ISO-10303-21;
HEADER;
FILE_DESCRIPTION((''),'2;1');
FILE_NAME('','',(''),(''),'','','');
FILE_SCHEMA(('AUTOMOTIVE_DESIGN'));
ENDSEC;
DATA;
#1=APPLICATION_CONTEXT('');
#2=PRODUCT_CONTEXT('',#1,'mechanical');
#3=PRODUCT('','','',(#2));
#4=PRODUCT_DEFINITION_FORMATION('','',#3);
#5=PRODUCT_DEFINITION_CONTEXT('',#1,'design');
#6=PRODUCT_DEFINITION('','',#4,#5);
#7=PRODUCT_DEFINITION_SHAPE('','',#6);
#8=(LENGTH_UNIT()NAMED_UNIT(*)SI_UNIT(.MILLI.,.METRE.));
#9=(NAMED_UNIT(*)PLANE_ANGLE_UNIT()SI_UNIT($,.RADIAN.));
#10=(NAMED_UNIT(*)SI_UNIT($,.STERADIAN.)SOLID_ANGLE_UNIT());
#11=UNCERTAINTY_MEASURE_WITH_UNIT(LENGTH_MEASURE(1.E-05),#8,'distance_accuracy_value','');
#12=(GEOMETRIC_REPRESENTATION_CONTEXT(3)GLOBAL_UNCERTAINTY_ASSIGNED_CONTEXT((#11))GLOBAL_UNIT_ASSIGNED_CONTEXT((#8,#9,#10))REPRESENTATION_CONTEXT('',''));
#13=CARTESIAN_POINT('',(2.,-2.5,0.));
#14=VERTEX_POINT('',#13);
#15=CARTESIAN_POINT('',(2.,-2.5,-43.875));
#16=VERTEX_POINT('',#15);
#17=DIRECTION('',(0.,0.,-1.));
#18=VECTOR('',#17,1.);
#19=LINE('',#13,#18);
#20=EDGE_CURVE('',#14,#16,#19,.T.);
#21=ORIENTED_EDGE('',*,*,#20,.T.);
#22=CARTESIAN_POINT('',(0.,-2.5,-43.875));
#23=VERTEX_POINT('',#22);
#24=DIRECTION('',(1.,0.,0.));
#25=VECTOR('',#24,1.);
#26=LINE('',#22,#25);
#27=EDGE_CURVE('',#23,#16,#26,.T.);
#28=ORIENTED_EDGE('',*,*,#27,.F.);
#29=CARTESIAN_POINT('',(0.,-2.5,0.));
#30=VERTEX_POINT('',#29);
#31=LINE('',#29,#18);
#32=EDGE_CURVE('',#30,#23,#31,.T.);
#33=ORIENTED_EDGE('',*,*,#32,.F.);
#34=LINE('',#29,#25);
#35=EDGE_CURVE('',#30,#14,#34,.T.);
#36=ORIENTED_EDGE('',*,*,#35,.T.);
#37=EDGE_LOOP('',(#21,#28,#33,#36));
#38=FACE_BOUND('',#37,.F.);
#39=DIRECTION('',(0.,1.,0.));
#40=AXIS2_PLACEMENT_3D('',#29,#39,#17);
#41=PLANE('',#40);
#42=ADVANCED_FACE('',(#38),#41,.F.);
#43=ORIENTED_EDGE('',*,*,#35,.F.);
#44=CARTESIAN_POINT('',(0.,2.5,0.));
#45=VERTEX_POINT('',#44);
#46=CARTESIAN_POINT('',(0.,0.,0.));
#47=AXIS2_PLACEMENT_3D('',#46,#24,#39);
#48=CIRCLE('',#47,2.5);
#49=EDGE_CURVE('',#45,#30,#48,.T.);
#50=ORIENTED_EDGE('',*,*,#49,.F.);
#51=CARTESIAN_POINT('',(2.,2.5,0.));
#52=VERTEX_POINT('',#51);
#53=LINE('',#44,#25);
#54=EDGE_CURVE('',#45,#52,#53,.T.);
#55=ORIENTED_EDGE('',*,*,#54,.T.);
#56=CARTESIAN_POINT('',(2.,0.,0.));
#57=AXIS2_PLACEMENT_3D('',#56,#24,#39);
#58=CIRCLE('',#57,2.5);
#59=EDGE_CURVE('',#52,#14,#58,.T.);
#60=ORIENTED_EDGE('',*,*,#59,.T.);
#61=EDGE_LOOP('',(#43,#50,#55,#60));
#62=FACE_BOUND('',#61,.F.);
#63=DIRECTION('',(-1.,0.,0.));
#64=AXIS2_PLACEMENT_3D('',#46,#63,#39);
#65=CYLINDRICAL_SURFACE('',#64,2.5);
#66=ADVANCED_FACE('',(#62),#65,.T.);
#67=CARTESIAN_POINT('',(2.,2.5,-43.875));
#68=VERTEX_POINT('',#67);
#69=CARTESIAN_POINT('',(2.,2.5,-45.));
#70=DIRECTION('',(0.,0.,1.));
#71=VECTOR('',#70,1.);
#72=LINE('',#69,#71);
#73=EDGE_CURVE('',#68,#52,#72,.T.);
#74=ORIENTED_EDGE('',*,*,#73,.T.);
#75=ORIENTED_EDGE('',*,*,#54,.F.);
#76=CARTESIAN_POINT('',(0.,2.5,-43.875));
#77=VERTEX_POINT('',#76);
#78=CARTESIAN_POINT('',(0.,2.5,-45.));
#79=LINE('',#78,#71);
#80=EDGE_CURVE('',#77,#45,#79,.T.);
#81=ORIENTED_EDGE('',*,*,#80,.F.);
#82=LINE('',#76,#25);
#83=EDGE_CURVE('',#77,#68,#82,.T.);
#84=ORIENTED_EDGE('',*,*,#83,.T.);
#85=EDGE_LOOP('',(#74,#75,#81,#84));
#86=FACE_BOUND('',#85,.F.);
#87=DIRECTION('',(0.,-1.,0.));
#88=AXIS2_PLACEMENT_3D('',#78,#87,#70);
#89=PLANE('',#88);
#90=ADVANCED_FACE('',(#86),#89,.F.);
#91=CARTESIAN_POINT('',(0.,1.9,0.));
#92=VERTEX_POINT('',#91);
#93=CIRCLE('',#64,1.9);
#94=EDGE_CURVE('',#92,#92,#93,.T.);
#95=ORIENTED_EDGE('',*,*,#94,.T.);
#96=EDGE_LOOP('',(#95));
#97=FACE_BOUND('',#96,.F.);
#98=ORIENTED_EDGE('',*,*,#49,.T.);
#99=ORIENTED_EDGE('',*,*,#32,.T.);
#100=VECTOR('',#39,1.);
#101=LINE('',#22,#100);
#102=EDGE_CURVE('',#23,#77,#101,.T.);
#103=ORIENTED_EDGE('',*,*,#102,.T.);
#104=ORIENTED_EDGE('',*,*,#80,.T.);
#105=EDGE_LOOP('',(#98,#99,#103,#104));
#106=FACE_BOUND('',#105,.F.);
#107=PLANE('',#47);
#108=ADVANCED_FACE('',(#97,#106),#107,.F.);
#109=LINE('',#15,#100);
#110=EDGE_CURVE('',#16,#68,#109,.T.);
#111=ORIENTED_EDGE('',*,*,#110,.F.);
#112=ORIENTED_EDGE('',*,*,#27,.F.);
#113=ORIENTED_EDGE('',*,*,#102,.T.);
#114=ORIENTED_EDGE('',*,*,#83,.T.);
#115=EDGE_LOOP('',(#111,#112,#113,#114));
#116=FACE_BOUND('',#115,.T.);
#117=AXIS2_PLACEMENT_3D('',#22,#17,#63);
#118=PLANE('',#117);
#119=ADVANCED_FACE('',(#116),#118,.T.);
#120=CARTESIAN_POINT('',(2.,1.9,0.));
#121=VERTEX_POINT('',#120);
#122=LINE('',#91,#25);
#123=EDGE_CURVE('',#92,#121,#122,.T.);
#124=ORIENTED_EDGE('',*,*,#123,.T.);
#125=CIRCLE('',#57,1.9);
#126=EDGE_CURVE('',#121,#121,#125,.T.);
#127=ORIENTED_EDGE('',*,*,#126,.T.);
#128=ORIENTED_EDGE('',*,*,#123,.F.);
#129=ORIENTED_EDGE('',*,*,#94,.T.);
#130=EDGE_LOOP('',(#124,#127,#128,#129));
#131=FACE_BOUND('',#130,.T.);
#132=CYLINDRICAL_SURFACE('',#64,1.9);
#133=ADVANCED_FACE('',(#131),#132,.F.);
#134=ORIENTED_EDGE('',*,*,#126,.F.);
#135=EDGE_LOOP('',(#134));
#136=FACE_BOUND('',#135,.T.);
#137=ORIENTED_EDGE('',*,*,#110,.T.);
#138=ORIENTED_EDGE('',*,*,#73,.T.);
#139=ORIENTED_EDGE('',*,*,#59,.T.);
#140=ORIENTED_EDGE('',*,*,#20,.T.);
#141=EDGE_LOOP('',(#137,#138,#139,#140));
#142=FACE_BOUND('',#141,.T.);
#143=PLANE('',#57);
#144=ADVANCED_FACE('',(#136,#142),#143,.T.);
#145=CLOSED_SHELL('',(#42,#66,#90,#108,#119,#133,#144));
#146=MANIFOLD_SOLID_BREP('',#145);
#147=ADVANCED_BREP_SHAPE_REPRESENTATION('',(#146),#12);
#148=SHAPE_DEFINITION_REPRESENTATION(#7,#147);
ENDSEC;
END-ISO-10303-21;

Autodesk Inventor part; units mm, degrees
ref_plane "YZ Plane" through (0, 0, 0) normal (1, 0, 0) x (0, 1, 0)
ref_plane "XZ Plane" through (0, 0, 0) normal (0, 1, 0) x (-1, 0, 0)
ref_plane "XY Plane" through (0, 0, 0) normal (0, 0, 1) x (1, 0, 0)
sketch "Szkic1" plane through (0, 0, 0) normal (1, 0, 0) x (0, 1, 0)
  circle A0 centre (0, 0) radius 1.9
  circle A1 centre (0, 0) radius 2.5
  line L0 (2.5, 0) -> (-2.5, 0)
  line L1 (-2.5, 0) -> (-2.5, -45)
  line L2 (-2.5, -45) -> (2.5, -45)
  line L3 (2.5, -45) -> (2.5, 0)
  dimension "d1" = 5
  dimension "d0" = 3.8
  dimension "d2" = 45
extrude "Wyciągnięcie proste1" add sketch "Szkic1" along normal blind 2 contours L0 A1 A0 | A0 L0 A1 | L3 L2 L1 A1
sketch "Szkic2" plane through (0, -2.5, -45) normal (0, 0, -1) x (-1, 0, 0)
  line L0 (0, 0) -> (0, 5) projected
  line L1 (0, 5) -> (-2, 5) projected
  line L2 (-2, 0) -> (-2, 5) projected
  line L3 (0, 0) -> (-2, 0) projected
  point P0 (0, 2.5)
extrude "Wyciągnięcie proste2" cut sketch "Szkic2" against normal blind 1.125
properties part number "wach"
